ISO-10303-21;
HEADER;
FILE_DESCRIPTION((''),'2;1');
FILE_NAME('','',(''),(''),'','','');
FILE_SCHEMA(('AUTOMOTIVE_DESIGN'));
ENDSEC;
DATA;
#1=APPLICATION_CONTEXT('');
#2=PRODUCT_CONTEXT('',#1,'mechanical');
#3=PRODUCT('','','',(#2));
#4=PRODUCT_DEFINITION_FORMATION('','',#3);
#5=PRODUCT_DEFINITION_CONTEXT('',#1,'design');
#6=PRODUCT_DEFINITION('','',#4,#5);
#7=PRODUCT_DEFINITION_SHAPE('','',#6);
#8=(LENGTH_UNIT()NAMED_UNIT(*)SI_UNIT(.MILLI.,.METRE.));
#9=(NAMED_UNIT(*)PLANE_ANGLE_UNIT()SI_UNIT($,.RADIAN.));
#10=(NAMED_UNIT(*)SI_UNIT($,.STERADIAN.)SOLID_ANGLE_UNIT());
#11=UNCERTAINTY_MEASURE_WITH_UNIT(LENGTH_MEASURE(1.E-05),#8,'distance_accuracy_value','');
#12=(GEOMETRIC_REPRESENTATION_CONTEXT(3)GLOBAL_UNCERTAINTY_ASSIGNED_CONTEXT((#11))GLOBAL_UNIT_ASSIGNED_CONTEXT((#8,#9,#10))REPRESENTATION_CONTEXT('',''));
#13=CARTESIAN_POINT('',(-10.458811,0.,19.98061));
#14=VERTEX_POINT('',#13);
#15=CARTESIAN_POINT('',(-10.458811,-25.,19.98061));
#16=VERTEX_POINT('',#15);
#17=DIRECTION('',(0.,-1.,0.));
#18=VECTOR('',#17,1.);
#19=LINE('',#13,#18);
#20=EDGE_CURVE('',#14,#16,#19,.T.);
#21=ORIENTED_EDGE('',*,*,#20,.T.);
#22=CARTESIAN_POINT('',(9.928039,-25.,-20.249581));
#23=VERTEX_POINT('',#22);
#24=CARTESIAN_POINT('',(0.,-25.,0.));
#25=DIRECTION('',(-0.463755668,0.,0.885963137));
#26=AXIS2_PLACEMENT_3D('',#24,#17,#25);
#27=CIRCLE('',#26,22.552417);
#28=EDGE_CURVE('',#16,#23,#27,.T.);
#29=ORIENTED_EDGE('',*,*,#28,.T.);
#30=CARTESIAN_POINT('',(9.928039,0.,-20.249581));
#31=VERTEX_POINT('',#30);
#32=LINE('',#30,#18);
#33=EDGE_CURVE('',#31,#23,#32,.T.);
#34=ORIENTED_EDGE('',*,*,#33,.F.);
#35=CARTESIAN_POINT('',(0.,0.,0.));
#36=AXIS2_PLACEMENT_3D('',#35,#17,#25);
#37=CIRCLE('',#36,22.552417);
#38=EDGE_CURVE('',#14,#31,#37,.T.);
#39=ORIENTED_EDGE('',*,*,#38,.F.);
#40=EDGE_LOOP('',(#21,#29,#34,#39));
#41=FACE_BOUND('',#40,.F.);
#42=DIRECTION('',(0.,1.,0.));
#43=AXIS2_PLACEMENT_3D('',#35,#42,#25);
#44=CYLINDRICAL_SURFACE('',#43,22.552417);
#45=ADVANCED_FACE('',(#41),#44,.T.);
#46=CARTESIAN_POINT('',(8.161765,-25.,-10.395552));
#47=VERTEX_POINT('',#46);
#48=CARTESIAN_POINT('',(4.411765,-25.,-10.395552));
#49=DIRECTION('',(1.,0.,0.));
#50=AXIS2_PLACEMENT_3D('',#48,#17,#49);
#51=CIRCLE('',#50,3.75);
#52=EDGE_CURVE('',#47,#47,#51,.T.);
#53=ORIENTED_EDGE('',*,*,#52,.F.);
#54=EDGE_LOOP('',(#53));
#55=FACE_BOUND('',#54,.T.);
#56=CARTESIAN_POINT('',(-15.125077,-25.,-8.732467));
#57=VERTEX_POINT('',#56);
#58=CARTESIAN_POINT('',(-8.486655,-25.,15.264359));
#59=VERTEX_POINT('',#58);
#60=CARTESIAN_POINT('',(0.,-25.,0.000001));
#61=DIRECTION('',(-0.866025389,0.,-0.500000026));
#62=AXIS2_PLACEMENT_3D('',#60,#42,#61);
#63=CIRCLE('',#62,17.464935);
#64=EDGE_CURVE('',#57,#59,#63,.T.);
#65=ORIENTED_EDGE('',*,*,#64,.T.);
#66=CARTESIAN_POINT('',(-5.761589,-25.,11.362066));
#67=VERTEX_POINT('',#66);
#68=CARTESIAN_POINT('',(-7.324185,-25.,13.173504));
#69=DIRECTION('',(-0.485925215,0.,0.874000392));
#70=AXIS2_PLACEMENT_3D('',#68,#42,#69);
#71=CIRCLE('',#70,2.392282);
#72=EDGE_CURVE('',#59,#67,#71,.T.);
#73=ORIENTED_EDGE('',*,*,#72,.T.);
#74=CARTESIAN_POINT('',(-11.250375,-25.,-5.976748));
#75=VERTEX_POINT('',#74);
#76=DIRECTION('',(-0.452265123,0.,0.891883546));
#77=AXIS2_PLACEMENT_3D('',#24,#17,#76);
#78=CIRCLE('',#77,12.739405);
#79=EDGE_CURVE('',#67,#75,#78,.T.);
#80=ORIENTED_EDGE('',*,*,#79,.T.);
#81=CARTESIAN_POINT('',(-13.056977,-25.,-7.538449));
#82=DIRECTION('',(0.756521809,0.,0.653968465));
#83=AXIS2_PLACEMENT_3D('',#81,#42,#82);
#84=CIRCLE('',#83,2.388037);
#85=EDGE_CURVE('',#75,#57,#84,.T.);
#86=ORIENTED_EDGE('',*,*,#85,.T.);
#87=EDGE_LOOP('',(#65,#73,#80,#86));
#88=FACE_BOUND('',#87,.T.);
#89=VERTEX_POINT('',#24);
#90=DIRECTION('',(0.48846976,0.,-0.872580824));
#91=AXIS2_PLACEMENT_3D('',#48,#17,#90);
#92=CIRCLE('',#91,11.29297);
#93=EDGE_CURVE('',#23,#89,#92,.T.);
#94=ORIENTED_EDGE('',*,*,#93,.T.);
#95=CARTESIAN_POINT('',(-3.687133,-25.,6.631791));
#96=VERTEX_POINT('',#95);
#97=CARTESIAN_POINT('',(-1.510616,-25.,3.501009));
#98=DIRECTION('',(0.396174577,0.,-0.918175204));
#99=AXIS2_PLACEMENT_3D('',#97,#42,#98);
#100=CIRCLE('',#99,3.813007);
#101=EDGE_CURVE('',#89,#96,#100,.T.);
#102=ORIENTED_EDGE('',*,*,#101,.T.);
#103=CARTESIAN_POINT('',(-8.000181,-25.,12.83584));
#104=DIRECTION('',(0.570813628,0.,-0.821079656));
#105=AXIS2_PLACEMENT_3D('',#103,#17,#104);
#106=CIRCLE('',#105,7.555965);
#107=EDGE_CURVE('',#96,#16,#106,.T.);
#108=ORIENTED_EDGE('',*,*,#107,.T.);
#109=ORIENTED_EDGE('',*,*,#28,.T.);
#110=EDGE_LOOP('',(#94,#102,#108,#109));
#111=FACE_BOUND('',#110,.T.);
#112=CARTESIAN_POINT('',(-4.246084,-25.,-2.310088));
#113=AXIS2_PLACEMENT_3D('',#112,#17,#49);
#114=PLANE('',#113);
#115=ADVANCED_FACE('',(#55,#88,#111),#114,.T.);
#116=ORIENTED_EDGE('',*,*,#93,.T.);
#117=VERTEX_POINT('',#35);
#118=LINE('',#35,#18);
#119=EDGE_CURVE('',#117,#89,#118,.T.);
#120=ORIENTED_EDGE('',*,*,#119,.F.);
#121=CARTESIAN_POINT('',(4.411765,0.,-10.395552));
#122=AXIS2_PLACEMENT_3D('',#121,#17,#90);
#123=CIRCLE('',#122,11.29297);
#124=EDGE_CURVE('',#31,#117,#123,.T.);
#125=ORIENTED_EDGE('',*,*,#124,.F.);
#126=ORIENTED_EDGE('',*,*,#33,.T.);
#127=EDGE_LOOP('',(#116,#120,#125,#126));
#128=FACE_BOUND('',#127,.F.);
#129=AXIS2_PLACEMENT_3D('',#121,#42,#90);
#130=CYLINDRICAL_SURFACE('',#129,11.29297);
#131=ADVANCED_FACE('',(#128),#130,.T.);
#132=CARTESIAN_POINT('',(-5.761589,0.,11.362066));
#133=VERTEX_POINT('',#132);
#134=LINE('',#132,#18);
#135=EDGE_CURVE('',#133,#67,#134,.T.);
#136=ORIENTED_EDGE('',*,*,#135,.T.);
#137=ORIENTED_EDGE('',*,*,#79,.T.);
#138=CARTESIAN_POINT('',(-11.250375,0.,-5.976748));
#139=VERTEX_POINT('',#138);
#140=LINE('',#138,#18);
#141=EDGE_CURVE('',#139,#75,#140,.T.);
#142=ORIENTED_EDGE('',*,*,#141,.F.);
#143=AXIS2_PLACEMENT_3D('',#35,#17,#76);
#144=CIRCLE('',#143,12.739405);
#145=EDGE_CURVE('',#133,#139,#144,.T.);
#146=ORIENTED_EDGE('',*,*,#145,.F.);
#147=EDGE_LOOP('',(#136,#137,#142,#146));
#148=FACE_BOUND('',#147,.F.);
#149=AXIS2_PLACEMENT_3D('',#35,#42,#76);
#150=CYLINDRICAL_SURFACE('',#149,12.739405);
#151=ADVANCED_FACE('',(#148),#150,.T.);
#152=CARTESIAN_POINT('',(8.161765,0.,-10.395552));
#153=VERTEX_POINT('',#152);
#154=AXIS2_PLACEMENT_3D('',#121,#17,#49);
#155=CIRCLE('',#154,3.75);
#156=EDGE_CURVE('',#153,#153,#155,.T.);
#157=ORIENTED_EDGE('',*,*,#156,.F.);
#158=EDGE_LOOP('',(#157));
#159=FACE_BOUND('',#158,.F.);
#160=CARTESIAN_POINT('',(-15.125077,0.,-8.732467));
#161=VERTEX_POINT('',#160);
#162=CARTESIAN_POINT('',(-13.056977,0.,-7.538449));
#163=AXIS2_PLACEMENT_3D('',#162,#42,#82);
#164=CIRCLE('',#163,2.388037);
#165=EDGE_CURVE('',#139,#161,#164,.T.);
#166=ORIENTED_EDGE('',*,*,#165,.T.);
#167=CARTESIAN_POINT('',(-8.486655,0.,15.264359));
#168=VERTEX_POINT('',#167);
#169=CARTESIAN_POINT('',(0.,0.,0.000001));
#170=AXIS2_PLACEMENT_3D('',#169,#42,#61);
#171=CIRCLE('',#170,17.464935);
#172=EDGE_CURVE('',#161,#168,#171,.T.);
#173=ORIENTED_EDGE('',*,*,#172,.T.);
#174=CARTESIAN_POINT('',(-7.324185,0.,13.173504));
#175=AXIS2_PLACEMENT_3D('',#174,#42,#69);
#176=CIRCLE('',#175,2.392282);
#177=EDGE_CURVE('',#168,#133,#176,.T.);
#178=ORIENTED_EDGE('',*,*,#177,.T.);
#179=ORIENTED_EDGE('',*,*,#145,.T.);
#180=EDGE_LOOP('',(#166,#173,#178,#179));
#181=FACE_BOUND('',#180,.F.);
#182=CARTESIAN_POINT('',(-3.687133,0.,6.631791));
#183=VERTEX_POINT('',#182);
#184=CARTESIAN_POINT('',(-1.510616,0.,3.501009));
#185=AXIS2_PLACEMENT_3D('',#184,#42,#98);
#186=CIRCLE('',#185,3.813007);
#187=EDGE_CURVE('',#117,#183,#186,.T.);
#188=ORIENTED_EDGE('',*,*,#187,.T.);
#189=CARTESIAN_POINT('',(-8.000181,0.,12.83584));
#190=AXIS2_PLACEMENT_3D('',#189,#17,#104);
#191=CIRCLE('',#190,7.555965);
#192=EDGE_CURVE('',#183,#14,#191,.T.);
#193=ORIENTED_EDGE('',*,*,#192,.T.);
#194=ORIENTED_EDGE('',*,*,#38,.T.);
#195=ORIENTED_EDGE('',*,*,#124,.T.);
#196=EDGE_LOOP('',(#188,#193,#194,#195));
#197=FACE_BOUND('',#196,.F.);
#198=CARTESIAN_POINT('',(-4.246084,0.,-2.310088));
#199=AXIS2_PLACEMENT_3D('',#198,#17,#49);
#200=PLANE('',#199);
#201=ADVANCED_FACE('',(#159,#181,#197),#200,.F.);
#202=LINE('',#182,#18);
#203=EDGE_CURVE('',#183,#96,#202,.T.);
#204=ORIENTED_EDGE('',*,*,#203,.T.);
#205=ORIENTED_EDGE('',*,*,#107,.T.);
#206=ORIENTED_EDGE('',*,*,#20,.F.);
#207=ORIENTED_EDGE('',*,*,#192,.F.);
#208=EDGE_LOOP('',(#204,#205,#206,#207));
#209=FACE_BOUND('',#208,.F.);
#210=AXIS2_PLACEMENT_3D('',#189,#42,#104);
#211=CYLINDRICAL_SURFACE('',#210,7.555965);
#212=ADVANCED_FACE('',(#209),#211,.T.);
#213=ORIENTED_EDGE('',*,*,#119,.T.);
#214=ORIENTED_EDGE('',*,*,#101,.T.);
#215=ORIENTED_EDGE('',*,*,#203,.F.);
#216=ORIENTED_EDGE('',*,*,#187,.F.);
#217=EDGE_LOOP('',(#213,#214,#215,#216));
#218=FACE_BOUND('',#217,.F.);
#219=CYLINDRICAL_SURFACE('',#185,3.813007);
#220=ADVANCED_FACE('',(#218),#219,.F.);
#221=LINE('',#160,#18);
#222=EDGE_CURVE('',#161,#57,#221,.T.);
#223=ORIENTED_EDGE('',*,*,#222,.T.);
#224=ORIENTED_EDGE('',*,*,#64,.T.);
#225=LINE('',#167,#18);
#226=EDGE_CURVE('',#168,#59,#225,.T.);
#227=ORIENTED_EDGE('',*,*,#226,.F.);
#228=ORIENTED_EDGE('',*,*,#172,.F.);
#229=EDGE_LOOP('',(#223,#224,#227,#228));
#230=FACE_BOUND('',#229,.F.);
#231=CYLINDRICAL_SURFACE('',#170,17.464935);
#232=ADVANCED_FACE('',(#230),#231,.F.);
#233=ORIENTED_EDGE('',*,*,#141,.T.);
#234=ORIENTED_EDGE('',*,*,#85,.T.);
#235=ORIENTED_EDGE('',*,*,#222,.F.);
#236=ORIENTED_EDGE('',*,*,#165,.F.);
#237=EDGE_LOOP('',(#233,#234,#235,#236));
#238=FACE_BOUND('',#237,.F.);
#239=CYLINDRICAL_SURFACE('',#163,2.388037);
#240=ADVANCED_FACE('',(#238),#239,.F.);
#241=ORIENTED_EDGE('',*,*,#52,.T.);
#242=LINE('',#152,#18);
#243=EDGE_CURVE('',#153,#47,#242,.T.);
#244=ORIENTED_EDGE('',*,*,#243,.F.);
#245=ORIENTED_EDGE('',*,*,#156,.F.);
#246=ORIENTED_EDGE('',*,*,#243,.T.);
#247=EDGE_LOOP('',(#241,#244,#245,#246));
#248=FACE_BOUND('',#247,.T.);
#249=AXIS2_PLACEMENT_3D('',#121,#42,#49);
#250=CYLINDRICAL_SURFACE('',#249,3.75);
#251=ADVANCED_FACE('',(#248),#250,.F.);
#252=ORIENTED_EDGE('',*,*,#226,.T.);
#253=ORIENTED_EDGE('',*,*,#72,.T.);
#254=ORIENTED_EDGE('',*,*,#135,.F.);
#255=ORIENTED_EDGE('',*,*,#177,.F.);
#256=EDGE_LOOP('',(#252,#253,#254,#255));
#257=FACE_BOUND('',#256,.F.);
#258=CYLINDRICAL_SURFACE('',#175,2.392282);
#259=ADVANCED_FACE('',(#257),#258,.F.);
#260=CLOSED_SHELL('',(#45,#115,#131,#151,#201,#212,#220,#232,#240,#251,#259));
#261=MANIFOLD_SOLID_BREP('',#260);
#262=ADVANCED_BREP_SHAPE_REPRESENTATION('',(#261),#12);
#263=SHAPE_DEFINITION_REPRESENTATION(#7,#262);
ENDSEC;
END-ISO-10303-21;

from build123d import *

# Parameters (mm, degrees)
F0_R     = 3.75
F1_DEPTH = 25


with BuildPart() as f1:
    # F0 (on Front) → F1 (new body)
    with BuildSketch(Plane.XZ):
        with BuildLine():
            ThreePointArc((-3.687133, 6.631791), (-1.261675, 16.254194), (-10.458811, 19.98061))
            ThreePointArc((-10.458811, 19.98061), (-20.116846, -10.194312), (9.928039, -20.249581))
            ThreePointArc((9.928039, -20.249581), (14.551605, -5.424153), (0, 0))
            ThreePointArc((0, 0), (-4.843186, 1.648172), (-3.687133, 6.631791))
        make_face()
        with Locations((4.411765, -10.395552)):
            Circle(F0_R, mode=Mode.SUBTRACT)
        with BuildLine():
            ThreePointArc((-15.125077, -8.732467), (-16.832718, 4.656561), (-8.486655, 15.264359))
            ThreePointArc((-8.486655, 15.264359), (-5.362808, 14.54318), (-5.761589, 11.362066))
            ThreePointArc((-5.761589, 11.362066), (-12.145384, 3.84475), (-11.250375, -5.976748))
            ThreePointArc((-11.250375, -5.976748), (-11.672928, -9.484503), (-15.125077, -8.732467))
        make_face(mode=Mode.SUBTRACT)
    extrude(amount=F1_DEPTH)


solid = f1.part
